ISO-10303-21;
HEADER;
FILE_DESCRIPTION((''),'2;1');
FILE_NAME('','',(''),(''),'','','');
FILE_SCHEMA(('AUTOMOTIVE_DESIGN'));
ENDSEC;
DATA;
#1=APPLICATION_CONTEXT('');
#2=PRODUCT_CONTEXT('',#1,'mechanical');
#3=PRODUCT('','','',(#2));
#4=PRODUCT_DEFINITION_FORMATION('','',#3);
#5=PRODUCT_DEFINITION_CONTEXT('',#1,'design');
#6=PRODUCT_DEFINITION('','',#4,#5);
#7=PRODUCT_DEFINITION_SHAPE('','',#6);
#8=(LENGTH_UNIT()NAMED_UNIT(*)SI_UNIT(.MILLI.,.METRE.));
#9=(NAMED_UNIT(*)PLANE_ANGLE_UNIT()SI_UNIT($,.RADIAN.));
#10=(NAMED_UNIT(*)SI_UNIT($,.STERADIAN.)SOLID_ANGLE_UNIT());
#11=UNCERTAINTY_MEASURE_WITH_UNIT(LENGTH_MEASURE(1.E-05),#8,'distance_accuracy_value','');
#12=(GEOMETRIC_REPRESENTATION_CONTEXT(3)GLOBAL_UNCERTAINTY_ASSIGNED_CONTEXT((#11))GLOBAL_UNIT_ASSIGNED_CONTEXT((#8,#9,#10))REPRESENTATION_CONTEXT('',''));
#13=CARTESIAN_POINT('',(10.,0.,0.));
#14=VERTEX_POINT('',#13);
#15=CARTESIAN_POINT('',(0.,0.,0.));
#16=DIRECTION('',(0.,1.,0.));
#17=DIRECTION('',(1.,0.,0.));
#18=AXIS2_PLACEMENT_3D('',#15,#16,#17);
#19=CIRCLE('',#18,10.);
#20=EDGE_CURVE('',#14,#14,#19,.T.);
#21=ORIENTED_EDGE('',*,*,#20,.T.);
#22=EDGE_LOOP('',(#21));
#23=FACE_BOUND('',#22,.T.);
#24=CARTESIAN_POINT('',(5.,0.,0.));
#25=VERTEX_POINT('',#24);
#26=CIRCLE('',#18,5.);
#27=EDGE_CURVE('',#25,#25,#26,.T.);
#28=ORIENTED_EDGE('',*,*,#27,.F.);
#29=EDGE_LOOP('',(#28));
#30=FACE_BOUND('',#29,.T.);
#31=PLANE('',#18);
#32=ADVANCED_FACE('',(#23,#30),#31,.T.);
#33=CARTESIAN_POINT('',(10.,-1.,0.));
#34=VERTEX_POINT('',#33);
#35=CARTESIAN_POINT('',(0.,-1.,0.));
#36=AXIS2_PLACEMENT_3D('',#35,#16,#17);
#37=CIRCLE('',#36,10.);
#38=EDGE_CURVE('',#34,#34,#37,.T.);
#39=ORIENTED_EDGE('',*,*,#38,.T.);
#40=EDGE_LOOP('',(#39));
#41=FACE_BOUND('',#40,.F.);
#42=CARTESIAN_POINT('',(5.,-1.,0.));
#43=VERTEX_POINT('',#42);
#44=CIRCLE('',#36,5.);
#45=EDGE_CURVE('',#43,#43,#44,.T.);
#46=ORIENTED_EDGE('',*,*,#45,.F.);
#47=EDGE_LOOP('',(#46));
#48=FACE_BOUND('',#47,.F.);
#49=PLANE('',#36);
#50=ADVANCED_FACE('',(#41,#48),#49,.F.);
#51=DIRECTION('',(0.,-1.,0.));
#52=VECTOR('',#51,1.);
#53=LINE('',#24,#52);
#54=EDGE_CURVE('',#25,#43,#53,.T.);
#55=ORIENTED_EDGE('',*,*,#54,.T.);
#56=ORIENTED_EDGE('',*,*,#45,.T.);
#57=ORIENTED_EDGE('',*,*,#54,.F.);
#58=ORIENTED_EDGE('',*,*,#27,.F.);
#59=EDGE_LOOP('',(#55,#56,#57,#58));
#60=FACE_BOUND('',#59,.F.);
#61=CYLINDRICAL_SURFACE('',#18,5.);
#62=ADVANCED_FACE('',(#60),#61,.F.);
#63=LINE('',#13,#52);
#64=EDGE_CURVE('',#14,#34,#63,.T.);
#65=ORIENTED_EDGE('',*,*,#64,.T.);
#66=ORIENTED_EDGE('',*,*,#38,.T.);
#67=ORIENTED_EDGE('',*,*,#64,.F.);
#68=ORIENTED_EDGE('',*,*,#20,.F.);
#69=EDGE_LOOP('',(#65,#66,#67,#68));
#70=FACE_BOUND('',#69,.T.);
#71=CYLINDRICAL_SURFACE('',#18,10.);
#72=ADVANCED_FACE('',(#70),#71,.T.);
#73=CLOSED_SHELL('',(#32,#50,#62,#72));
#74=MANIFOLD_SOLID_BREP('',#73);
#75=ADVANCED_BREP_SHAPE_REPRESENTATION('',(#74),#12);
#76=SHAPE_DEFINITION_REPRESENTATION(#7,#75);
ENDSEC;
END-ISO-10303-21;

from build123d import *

# Parameters (mm, degrees)
SKETCH1_R           = 10
SKETCH1_R_2         = 5
BOSS_EXTRUDE1_DEPTH = 1


with BuildPart() as part:
    # Sketch1 → Boss-Extrude1 (new body)
    with BuildSketch(Plane(origin=(0, 0, 0), x_dir=(1, 0, 0), z_dir=(0, 1, 0))):
        Circle(SKETCH1_R)
        Circle(SKETCH1_R_2, mode=Mode.SUBTRACT)
    extrude(amount=-BOSS_EXTRUDE1_DEPTH)


solid = part.part
